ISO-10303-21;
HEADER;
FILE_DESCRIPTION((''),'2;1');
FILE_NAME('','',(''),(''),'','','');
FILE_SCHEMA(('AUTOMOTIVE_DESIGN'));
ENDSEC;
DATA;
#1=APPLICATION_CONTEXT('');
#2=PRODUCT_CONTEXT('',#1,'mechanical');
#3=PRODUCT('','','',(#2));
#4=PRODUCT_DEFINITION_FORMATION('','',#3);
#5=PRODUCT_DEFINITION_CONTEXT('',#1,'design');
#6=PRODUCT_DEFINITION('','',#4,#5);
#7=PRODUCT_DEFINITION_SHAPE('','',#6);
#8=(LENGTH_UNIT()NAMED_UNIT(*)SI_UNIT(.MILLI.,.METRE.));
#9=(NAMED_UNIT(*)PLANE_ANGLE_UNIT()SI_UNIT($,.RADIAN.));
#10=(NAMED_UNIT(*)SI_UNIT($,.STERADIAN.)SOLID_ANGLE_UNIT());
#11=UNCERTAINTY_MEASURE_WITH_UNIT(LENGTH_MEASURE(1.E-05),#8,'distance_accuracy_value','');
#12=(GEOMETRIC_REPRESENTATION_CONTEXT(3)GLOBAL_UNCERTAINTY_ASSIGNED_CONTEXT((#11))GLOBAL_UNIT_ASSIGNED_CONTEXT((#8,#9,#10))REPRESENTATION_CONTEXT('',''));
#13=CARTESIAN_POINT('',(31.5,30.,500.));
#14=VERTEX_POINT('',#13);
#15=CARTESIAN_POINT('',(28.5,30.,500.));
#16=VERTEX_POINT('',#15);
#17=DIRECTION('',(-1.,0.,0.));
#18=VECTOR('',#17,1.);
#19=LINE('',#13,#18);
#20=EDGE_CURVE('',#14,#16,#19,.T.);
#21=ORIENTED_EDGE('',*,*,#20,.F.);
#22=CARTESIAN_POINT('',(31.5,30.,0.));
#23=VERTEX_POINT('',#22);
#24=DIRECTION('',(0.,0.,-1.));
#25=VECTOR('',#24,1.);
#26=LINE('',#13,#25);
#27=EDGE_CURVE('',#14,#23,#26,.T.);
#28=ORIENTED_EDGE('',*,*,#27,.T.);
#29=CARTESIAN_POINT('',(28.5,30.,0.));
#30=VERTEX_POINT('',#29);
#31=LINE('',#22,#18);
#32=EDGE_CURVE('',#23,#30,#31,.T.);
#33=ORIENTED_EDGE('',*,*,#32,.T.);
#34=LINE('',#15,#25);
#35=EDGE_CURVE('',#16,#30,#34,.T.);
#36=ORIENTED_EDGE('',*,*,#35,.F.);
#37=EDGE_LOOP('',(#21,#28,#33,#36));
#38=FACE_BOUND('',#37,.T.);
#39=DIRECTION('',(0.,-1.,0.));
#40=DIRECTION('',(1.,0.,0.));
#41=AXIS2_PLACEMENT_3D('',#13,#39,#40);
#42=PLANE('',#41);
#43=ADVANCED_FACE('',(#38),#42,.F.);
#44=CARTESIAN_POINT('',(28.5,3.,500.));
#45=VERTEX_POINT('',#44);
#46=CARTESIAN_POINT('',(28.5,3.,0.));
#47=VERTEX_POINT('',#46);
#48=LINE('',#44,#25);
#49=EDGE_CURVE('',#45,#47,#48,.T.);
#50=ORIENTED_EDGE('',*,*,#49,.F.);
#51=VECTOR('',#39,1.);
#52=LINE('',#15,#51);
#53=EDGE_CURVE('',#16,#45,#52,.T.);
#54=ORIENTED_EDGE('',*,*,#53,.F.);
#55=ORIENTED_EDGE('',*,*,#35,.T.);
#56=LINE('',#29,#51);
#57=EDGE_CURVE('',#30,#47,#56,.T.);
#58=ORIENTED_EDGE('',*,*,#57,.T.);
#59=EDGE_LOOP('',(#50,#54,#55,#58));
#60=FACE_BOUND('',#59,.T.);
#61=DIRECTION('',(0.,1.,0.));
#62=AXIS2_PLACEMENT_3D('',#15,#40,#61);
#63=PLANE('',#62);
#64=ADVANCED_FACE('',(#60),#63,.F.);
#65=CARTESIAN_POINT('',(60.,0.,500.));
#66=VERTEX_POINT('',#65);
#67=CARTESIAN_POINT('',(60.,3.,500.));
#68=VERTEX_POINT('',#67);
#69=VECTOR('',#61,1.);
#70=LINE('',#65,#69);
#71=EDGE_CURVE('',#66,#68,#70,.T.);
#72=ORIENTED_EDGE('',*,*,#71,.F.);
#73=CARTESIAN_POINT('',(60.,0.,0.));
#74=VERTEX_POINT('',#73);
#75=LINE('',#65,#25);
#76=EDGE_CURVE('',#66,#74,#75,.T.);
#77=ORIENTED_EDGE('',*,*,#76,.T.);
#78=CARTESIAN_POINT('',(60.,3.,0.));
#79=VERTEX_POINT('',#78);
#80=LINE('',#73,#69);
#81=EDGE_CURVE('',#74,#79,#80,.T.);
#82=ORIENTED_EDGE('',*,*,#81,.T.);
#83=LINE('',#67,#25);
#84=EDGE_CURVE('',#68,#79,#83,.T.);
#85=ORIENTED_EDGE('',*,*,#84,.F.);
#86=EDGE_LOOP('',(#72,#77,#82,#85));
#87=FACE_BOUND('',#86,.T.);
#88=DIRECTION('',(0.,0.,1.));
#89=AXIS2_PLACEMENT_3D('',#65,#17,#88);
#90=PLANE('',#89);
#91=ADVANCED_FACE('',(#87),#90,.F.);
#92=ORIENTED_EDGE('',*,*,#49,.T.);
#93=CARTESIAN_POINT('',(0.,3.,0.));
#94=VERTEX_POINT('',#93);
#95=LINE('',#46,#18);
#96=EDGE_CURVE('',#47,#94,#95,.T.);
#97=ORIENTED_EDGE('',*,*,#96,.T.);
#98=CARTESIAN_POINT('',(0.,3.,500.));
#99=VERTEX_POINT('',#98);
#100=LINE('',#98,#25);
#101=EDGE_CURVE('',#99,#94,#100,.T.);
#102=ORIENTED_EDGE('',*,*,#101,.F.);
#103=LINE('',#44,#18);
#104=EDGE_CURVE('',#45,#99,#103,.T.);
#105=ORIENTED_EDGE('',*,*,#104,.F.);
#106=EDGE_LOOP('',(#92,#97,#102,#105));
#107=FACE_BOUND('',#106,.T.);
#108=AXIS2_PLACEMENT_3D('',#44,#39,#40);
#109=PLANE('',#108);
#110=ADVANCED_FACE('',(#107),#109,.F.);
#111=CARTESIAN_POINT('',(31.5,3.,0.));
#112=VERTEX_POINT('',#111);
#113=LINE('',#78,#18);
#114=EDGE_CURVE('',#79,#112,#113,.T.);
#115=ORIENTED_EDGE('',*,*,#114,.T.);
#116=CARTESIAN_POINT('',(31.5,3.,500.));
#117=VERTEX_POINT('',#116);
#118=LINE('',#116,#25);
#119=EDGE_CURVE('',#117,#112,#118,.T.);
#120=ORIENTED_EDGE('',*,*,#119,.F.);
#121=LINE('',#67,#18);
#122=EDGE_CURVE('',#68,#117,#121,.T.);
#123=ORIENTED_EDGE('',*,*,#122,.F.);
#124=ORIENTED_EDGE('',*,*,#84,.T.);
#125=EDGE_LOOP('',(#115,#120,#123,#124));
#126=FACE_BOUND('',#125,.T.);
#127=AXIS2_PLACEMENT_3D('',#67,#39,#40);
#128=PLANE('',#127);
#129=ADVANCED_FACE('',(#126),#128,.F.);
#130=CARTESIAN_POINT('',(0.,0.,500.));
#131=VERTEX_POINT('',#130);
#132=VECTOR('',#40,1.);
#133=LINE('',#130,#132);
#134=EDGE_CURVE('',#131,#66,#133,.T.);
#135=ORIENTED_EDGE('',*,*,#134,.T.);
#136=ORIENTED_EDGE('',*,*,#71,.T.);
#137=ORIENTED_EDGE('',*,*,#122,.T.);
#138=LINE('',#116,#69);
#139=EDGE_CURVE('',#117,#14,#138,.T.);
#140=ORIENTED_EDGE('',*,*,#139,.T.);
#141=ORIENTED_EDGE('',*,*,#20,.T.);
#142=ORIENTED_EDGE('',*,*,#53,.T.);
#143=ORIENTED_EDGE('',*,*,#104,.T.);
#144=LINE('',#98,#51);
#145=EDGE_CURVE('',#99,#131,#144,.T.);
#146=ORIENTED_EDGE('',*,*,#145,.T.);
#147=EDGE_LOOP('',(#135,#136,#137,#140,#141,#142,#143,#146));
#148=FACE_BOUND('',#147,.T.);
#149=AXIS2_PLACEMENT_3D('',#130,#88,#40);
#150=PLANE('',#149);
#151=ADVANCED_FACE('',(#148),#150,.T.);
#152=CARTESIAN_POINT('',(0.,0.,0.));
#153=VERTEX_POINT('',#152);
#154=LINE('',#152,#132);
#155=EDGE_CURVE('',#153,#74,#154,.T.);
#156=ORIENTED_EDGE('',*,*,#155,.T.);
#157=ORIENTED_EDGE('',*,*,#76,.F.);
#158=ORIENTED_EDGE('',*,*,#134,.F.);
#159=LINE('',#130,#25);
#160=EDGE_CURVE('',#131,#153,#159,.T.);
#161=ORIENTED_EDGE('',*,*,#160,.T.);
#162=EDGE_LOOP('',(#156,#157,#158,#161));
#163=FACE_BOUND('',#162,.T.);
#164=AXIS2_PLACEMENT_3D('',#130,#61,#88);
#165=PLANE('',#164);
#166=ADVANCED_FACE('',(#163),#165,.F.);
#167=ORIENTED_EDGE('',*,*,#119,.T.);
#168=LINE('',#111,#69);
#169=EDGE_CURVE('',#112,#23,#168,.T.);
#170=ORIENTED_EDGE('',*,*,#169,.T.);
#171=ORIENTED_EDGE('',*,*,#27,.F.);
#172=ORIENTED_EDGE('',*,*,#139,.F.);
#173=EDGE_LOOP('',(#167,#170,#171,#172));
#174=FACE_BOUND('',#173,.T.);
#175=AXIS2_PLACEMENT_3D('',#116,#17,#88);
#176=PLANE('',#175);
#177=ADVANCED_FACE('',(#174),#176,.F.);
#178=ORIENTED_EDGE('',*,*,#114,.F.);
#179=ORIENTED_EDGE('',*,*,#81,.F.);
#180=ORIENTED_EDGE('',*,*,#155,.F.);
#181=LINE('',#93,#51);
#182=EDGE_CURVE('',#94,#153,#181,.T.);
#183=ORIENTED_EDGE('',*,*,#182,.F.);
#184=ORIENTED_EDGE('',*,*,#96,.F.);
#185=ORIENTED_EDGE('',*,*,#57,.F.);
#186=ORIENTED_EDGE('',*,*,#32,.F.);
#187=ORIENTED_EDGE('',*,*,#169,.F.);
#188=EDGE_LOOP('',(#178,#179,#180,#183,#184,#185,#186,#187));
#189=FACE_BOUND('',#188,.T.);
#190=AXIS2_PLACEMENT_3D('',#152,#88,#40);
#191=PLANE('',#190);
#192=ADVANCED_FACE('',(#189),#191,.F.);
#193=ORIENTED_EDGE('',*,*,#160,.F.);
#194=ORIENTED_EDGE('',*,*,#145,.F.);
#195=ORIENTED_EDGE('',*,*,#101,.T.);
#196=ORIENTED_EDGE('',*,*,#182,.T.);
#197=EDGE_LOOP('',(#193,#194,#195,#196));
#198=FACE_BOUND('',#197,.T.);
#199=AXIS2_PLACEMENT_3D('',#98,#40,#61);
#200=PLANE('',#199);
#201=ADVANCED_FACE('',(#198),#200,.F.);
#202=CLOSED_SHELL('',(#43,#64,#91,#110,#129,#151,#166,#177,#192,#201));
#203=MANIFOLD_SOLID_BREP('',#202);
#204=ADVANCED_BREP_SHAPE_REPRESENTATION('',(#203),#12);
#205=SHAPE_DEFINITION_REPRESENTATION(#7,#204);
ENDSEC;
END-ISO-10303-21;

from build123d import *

# Parameters (mm, degrees)
BOSS_EXTRUDE1_DEPTH = 500


with BuildPart() as part:
    # Sketch1 → Boss-Extrude1 (new body)
    with BuildSketch(Plane.XY):
        Polygon((0, 0), (60, 0), (60, 3), (31.5, 3), (31.5, 30), (28.5, 30), (28.5, 3), (0, 3), align=None)
    extrude(amount=BOSS_EXTRUDE1_DEPTH)


solid = part.part
